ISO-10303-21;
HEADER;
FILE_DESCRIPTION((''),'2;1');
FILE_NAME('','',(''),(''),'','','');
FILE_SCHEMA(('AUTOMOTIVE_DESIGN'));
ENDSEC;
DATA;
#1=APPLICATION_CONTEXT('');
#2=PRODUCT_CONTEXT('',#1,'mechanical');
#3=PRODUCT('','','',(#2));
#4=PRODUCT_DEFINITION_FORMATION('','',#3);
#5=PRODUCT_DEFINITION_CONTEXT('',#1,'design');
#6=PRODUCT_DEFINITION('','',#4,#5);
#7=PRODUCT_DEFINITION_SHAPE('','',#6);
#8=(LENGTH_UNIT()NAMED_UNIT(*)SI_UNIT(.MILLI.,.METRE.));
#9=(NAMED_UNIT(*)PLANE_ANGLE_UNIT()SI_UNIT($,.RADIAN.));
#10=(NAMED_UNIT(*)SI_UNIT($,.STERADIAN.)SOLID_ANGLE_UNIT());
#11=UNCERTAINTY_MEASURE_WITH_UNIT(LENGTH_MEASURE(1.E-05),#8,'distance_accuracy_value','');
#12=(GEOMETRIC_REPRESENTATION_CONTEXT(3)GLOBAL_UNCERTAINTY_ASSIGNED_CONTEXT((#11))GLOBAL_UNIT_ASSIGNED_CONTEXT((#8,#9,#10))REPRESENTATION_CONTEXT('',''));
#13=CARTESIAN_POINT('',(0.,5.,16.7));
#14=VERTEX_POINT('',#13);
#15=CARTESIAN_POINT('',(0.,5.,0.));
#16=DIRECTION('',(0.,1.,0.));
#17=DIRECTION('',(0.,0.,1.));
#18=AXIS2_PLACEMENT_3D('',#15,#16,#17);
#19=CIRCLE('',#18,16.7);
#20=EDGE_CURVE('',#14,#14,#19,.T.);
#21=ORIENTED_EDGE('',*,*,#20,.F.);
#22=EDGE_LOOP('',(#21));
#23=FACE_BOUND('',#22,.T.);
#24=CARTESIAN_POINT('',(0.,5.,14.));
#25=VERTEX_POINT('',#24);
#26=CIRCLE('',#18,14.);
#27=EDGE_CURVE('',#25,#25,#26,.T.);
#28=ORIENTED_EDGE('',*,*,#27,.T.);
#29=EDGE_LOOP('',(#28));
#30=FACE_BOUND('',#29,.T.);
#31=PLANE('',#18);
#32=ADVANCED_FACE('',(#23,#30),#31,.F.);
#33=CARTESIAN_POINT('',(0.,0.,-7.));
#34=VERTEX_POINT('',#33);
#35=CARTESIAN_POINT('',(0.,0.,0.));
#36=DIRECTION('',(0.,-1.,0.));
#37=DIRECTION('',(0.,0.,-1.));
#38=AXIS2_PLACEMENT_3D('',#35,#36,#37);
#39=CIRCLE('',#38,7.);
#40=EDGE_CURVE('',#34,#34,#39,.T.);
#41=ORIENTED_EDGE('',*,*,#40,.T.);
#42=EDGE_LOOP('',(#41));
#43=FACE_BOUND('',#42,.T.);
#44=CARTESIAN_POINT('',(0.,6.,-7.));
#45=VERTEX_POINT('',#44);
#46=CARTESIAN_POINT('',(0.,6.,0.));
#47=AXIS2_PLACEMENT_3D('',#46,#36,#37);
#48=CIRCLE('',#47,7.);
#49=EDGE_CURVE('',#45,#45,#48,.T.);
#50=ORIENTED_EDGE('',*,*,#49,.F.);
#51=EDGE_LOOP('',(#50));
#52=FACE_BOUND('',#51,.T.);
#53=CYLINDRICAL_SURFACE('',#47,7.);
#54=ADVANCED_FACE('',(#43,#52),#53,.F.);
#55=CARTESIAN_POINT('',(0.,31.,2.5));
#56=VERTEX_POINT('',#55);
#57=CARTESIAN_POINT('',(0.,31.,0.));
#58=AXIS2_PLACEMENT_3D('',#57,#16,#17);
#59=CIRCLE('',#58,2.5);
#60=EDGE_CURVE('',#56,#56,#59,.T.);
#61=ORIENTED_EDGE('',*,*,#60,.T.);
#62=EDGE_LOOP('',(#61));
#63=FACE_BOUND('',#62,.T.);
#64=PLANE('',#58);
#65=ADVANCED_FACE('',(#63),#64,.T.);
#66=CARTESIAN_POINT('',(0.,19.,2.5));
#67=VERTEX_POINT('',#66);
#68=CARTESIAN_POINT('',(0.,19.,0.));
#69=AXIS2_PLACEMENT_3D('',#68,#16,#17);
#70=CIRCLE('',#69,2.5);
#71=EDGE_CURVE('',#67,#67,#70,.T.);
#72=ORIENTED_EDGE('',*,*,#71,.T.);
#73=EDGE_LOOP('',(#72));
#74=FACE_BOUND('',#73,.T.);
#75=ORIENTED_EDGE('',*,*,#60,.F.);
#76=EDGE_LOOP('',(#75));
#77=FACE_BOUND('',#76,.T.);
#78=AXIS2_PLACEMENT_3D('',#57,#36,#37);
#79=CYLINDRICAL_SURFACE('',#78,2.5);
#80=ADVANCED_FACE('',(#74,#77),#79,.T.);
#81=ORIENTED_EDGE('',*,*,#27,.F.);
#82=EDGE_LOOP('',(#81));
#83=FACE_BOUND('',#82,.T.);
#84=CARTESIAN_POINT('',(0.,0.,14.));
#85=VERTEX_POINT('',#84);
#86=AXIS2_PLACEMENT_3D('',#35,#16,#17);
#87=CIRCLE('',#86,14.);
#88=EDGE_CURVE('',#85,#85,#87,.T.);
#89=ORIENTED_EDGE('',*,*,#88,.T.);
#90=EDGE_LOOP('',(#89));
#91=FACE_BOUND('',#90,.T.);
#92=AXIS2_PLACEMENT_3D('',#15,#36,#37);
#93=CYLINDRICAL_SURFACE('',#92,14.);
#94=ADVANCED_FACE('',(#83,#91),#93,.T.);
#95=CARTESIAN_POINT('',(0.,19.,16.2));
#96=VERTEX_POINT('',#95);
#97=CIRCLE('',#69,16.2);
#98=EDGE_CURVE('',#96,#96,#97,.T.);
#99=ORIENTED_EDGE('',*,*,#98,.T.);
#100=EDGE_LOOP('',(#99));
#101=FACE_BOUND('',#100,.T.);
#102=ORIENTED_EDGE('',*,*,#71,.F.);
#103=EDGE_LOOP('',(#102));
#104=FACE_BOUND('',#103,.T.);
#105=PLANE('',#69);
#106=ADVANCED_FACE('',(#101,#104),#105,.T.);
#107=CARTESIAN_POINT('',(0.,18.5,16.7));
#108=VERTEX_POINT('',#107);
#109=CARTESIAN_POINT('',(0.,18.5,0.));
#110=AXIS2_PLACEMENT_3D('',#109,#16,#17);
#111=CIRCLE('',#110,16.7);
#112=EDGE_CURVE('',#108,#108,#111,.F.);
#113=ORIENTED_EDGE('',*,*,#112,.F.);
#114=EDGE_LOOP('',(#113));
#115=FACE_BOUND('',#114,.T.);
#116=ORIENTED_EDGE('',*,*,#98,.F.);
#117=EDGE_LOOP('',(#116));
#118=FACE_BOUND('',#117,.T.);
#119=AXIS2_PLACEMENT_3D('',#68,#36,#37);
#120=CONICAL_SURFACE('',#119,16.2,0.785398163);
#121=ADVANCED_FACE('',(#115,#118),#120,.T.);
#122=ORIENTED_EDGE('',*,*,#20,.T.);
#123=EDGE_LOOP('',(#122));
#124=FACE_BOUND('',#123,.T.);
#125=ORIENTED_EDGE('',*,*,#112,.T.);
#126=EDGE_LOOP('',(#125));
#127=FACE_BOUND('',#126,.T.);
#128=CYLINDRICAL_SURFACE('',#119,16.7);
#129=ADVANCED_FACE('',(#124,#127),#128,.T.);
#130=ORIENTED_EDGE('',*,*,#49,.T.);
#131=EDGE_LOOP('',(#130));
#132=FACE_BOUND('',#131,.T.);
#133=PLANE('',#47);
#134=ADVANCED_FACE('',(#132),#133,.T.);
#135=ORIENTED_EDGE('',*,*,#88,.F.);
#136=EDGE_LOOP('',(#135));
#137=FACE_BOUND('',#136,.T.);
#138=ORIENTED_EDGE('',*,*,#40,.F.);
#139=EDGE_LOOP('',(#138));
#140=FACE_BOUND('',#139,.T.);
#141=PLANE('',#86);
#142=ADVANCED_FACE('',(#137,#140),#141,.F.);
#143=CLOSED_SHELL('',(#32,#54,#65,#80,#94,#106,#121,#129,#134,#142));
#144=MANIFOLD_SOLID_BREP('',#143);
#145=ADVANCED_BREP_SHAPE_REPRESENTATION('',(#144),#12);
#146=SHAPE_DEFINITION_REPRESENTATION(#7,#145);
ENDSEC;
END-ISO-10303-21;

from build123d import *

# Parameters (mm, degrees)
SKETCH1_R           = 14
BOSS_EXTRUDE1_DEPTH = 5
SKETCH2_R           = 16.7
BOSS_EXTRUDE2_DEPTH = 14
SKETCH3_R           = 2.5
BOSS_EXTRUDE3_DEPTH = 12
CHAMFER1_SIZE       = 0.5
SKETCH4_R           = 7
CUT_EXTRUDE1_DEPTH  = 6


with BuildPart() as part:
    # Sketch1 → Boss-Extrude1 (new body)
    with BuildSketch(Plane(origin=(0, 0, 0), x_dir=(1, 0, 0), z_dir=(0, 1, 0))):
        Circle(SKETCH1_R)
    extrude(amount=BOSS_EXTRUDE1_DEPTH)

    # Sketch2 → Boss-Extrude2 (add)
    with BuildSketch(Plane(origin=(0, 5, 0), x_dir=(1, 0, 0), z_dir=(0, 1, 0))):
        Circle(SKETCH2_R)
    extrude(amount=BOSS_EXTRUDE2_DEPTH)

    # Sketch3 → Boss-Extrude3 (add)
    with BuildSketch(Plane(origin=(0, 19, 0), x_dir=(1, 0, 0), z_dir=(0, 1, 0))):
        Circle(SKETCH3_R)
    extrude(amount=BOSS_EXTRUDE3_DEPTH)

    # Chamfer1
    chamfer1_edges = [part.edges().sort_by_distance(p)[0] for p in [
        (-16.7, 19, 0),
    ]]
    chamfer(chamfer1_edges, length=CHAMFER1_SIZE)

    # Sketch4 → Cut-Extrude1 (cut)
    with BuildSketch(Plane.XZ):
        Circle(SKETCH4_R)
    extrude(amount=-CUT_EXTRUDE1_DEPTH, mode=Mode.SUBTRACT)


solid = part.part
